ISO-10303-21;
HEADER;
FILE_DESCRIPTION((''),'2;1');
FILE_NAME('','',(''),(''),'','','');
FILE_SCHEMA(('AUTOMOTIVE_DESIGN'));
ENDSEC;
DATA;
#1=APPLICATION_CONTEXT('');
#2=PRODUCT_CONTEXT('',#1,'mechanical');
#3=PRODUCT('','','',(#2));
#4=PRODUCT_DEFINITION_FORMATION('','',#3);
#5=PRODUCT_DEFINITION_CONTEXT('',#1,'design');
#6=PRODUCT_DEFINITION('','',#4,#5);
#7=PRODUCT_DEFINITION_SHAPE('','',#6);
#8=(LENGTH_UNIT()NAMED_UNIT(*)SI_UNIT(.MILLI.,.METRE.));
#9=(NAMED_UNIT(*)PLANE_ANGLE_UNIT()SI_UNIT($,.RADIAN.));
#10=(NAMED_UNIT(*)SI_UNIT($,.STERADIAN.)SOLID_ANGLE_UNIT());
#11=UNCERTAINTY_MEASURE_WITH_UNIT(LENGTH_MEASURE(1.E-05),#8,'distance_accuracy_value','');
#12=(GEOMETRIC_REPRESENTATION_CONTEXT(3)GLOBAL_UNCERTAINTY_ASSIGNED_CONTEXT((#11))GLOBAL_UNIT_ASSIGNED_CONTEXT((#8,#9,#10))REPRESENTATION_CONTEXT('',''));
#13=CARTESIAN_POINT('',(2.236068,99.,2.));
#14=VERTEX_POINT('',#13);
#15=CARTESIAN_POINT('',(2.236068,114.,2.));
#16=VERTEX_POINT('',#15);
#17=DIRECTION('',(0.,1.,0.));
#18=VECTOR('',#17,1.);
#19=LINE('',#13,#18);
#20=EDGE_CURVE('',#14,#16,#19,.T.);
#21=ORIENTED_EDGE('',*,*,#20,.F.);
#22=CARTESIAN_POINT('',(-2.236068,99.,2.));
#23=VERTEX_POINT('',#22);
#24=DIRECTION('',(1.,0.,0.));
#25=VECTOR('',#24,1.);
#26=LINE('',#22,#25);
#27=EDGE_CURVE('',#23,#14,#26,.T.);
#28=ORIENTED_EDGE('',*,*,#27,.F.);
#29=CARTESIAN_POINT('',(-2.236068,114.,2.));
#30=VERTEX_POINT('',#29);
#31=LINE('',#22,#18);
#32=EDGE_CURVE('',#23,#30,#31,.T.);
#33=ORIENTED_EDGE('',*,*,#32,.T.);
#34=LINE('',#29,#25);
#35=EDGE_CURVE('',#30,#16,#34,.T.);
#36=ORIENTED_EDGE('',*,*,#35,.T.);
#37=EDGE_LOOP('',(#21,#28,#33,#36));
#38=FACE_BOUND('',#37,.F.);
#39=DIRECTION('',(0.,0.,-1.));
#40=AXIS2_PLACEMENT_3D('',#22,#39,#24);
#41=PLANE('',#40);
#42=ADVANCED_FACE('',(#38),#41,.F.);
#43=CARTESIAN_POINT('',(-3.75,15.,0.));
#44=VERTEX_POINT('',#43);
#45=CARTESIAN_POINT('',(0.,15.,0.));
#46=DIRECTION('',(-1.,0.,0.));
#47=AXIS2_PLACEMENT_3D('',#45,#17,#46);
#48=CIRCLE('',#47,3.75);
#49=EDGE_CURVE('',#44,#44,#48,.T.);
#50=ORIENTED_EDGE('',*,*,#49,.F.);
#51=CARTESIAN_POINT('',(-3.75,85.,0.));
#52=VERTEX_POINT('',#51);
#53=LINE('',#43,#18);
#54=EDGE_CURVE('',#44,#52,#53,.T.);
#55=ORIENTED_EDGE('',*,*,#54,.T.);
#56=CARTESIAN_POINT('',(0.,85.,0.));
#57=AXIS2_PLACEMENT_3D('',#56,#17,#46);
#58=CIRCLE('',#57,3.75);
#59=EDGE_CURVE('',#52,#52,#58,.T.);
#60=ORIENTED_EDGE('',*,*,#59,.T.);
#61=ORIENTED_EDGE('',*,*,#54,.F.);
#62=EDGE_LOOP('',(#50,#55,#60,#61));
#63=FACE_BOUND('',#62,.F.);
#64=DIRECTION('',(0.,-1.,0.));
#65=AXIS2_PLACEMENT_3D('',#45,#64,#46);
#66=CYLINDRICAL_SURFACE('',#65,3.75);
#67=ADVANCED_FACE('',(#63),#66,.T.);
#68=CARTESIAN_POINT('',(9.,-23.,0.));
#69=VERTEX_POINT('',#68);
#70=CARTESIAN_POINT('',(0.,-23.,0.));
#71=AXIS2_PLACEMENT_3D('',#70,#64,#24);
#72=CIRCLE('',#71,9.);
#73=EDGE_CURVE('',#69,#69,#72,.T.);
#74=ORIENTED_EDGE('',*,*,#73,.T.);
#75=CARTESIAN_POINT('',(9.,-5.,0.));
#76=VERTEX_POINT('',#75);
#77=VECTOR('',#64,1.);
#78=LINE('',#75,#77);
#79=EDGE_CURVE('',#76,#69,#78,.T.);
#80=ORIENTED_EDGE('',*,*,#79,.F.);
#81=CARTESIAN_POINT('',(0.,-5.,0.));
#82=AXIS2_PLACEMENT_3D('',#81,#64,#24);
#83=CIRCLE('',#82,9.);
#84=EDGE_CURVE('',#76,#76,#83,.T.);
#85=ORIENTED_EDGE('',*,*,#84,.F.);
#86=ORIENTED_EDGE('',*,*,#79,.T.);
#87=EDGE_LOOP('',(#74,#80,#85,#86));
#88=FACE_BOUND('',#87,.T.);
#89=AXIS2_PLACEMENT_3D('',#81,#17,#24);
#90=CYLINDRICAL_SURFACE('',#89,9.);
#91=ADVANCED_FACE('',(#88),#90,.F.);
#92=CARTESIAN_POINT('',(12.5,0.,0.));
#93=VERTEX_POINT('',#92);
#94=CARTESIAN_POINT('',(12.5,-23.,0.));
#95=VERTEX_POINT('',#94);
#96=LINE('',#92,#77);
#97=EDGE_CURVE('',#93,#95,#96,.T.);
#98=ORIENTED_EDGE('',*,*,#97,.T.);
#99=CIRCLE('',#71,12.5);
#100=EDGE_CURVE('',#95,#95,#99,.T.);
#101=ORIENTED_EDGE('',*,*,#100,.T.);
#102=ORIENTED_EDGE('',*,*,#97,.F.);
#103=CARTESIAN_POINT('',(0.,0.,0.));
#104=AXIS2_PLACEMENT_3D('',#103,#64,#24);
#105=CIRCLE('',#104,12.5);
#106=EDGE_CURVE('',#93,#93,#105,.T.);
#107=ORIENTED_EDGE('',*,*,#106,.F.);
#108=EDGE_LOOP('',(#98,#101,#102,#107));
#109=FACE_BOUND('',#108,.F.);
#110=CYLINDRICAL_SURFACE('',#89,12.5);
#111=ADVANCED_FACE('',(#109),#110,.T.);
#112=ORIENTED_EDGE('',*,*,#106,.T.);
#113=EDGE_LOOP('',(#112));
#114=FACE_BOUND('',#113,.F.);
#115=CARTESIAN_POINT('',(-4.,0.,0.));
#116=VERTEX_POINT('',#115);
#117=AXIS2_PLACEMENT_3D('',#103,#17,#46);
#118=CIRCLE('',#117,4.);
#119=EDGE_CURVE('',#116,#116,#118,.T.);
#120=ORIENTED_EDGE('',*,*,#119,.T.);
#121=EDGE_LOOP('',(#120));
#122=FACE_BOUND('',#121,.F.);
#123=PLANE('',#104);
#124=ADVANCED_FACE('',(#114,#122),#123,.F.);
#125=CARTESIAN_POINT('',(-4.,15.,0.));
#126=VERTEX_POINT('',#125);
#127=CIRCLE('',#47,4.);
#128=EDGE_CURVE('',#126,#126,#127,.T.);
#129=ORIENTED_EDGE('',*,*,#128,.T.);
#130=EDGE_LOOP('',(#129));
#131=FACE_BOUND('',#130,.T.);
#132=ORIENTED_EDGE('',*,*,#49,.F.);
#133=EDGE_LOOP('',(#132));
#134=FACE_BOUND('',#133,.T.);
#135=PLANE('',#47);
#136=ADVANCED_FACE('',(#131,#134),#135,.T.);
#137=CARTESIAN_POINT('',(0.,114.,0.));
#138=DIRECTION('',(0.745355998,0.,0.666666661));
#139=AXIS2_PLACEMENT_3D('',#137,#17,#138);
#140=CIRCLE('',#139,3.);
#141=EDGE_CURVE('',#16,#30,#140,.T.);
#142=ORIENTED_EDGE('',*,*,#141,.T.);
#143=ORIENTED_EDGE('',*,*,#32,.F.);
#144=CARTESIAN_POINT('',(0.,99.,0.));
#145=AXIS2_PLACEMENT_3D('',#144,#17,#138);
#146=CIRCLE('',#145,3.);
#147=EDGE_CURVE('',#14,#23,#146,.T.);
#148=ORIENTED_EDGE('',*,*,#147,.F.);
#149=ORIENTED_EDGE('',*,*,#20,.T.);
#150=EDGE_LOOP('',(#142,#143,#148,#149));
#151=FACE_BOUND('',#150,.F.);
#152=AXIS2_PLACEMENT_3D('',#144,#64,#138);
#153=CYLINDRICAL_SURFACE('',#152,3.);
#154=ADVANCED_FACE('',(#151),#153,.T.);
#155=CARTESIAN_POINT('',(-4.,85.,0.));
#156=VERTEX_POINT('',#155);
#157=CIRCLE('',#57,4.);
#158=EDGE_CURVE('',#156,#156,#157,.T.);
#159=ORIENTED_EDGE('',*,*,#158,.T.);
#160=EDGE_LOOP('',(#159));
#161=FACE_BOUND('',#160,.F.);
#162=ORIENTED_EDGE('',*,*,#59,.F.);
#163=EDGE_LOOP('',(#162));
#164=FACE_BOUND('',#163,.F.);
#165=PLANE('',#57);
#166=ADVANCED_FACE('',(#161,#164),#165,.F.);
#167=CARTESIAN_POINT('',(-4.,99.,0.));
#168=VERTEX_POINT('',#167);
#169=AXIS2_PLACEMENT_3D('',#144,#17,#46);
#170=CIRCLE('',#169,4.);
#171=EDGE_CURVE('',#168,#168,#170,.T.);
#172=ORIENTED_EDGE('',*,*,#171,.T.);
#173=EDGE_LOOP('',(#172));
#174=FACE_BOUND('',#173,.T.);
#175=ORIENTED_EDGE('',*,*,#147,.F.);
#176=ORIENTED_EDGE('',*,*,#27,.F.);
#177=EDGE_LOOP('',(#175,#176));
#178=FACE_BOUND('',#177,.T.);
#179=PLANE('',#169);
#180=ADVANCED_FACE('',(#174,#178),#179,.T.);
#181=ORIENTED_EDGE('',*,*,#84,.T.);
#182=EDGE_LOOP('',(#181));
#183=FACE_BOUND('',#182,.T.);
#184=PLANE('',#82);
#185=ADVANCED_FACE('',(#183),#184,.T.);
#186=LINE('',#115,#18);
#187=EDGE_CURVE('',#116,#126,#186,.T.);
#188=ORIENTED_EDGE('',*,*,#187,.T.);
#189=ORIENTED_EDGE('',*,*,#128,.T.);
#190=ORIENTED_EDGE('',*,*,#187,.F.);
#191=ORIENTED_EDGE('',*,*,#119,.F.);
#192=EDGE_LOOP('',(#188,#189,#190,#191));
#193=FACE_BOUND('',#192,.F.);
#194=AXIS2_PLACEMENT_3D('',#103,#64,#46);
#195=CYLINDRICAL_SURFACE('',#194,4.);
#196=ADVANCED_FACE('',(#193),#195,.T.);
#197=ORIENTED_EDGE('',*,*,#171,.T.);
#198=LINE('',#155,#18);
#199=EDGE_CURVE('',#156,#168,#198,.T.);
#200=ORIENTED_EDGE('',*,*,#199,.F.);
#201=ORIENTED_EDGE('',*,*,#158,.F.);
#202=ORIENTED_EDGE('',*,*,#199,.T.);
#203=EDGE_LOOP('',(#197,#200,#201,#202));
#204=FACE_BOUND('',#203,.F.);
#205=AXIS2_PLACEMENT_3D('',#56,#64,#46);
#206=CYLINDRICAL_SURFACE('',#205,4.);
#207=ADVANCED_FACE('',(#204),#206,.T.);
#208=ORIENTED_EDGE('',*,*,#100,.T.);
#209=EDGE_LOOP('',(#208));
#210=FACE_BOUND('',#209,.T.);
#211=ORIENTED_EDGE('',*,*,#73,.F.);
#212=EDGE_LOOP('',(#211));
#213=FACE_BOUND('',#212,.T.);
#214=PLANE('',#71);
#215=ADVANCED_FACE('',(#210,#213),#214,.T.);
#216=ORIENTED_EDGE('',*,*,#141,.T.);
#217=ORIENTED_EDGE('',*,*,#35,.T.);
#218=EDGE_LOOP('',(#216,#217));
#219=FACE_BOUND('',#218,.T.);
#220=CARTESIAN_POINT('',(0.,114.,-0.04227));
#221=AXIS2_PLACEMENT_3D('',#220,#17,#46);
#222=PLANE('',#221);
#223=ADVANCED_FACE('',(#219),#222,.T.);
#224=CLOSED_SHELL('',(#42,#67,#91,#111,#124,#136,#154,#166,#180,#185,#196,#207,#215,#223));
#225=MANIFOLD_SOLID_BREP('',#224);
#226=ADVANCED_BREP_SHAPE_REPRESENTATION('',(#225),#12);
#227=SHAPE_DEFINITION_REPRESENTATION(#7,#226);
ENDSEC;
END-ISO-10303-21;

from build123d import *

# Parameters (mm, degrees)
F0_R      = 12.5
F1_DEPTH  = 5
F2_R      = 12.5
F2_R_2    = 9
F3_DEPTH  = 18
F4_R      = 4
F5_DEPTH  = 15
F6_R      = 3.75
F7_DEPTH  = 70
F8_R      = 4
F9_DEPTH  = 14
F11_DEPTH = 15


with BuildPart() as f1:
    # F0 (on Front) → F1 (new body)
    with BuildSketch(Plane.XZ):
        Circle(F0_R)
    extrude(amount=F1_DEPTH)

    # F2 (on face) → F3 (join)
    with BuildSketch(Plane.XZ.offset(5)):
        Circle(F2_R)
        Circle(F2_R_2, mode=Mode.SUBTRACT)
    extrude(amount=F3_DEPTH)

    # F4 (on face) → F5 (join)
    with BuildSketch(Plane(origin=(0, 0, 0), x_dir=(-1, 0, 0), z_dir=(0, 1, 0))):
        Circle(F4_R)
    extrude(amount=F5_DEPTH)

    # F6 (on face) → F7 (join)
    with BuildSketch(Plane(origin=(0, 15, 0), x_dir=(-1, 0, 0), z_dir=(0, 1, 0))):
        Circle(F6_R)
    extrude(amount=F7_DEPTH)

    # F8 (on face) → F9 (join)
    with BuildSketch(Plane(origin=(0, 85, 0), x_dir=(-1, 0, 0), z_dir=(0, 1, 0))):
        Circle(F8_R)
    extrude(amount=F9_DEPTH)

    # F10 (on face) → F11 (join)
    with BuildSketch(Plane(origin=(0, 99, 0), x_dir=(-1, 0, 0), z_dir=(0, 1, 0))):
        with BuildLine():
            Line((2.236068, 2), (-2.236068, 2))
            ThreePointArc((-2.236068, 2), (0, -3), (2.236068, 2))
        make_face()
    extrude(amount=F11_DEPTH)


solid = f1.part
